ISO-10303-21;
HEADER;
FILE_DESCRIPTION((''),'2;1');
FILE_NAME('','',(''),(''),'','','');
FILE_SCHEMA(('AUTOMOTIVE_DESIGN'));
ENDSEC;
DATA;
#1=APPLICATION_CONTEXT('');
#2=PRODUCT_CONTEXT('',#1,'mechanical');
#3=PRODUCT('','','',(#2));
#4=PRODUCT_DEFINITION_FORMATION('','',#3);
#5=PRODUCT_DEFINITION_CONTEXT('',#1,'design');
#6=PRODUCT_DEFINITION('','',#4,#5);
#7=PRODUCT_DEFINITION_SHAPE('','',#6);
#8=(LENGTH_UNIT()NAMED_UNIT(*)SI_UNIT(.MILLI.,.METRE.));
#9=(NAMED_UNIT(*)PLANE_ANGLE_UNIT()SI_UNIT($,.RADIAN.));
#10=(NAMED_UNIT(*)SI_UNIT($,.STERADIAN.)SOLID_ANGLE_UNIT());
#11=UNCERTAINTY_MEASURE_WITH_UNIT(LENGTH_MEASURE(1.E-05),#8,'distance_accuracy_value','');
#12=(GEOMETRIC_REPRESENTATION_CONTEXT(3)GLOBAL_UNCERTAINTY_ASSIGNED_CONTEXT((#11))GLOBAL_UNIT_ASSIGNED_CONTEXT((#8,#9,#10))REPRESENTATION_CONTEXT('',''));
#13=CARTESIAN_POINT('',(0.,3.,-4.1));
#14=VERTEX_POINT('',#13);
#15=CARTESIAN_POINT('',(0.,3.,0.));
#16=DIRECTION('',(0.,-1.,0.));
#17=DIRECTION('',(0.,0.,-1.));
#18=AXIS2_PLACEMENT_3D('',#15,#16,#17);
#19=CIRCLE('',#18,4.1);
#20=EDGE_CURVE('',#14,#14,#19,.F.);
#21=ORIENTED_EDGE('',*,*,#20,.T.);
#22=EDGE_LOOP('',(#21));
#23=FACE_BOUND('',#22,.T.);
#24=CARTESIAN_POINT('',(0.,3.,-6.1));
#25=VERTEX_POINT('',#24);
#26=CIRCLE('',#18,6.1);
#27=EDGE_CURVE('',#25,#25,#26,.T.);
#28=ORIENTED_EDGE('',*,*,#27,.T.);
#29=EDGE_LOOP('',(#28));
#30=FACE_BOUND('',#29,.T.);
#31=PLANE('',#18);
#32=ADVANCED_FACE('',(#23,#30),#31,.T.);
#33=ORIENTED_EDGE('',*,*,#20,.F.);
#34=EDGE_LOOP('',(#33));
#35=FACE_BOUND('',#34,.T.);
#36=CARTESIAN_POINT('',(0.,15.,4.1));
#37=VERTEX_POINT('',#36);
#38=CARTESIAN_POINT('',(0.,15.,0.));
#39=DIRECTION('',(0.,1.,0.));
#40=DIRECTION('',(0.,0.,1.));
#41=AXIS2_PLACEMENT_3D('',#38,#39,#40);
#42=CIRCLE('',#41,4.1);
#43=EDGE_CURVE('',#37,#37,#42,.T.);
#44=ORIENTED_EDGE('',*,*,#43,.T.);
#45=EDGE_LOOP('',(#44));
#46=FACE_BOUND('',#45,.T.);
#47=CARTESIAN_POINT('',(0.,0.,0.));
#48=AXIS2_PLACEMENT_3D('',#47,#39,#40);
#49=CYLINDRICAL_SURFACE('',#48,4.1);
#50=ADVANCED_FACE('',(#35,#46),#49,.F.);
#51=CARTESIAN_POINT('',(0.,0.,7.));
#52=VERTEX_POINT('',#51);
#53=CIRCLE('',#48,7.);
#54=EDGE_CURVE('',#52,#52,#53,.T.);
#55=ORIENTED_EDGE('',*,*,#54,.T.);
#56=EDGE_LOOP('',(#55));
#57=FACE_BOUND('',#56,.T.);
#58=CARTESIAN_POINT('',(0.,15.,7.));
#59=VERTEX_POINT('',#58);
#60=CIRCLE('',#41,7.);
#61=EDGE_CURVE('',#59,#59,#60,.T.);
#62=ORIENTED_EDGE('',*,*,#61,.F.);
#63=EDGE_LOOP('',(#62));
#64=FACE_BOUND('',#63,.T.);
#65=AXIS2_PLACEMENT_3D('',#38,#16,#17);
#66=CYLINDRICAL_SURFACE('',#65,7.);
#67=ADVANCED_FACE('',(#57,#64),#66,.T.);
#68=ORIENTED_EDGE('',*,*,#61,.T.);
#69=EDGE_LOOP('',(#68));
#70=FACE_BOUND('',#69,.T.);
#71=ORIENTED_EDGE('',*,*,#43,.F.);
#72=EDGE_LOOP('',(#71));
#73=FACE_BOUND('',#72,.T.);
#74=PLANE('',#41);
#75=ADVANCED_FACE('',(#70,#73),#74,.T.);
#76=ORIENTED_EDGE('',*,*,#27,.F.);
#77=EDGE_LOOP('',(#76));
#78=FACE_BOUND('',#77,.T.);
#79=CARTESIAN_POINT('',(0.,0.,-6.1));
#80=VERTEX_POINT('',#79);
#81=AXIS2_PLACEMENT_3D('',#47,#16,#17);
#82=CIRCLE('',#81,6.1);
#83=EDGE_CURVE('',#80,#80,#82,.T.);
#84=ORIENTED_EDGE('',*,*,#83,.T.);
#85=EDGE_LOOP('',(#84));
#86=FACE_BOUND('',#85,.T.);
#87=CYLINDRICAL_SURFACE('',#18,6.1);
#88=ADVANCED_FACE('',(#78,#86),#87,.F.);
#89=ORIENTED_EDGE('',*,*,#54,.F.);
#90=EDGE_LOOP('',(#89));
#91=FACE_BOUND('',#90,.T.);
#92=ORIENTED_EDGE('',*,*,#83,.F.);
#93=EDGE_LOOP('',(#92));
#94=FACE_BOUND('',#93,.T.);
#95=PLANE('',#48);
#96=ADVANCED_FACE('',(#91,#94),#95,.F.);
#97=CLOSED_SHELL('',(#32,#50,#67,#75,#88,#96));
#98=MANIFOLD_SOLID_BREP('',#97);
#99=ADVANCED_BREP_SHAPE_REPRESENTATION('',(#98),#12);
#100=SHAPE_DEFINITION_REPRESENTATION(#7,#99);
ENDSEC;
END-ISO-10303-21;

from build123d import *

# Parameters (mm, degrees)
SKETCH1_R           = 7
BOSS_EXTRUDE3_DEPTH = 15
SKETCH4_R           = 4.1
CUT_EXTRUDE1_DEPTH  = 16
SKETCH5_R           = 6.1
CUT_EXTRUDE2_DEPTH  = 3


with BuildPart() as part:
    # Sketch1 → Boss-Extrude3 (new body)
    with BuildSketch(Plane(origin=(0, 0, 0), x_dir=(1, 0, 0), z_dir=(0, 1, 0))):
        with Locations(Location((0, 0, 0), (0, 0, 270))):  # turned: the seam where the file's is
            Circle(SKETCH1_R)
    extrude(amount=BOSS_EXTRUDE3_DEPTH)

    # Sketch4 → Cut-Extrude1 (cut, through all)
    with BuildSketch(Plane(origin=(0, 15, 0), x_dir=(1, 0, 0), z_dir=(0, 1, 0))):
        with Locations(Location((0, 0, 0), (0, 0, 270))):  # turned: the seam where the file's is
            Circle(SKETCH4_R)
    extrude(amount=-CUT_EXTRUDE1_DEPTH, mode=Mode.SUBTRACT)

    # Sketch5 → Cut-Extrude2 (cut)
    with BuildSketch(Plane.XZ):
        with Locations(Location((0, 0, 0), (0, 0, 270))):  # turned: the seam where the file's is
            Circle(SKETCH5_R)
    extrude(amount=-CUT_EXTRUDE2_DEPTH, mode=Mode.SUBTRACT)


solid = part.part
